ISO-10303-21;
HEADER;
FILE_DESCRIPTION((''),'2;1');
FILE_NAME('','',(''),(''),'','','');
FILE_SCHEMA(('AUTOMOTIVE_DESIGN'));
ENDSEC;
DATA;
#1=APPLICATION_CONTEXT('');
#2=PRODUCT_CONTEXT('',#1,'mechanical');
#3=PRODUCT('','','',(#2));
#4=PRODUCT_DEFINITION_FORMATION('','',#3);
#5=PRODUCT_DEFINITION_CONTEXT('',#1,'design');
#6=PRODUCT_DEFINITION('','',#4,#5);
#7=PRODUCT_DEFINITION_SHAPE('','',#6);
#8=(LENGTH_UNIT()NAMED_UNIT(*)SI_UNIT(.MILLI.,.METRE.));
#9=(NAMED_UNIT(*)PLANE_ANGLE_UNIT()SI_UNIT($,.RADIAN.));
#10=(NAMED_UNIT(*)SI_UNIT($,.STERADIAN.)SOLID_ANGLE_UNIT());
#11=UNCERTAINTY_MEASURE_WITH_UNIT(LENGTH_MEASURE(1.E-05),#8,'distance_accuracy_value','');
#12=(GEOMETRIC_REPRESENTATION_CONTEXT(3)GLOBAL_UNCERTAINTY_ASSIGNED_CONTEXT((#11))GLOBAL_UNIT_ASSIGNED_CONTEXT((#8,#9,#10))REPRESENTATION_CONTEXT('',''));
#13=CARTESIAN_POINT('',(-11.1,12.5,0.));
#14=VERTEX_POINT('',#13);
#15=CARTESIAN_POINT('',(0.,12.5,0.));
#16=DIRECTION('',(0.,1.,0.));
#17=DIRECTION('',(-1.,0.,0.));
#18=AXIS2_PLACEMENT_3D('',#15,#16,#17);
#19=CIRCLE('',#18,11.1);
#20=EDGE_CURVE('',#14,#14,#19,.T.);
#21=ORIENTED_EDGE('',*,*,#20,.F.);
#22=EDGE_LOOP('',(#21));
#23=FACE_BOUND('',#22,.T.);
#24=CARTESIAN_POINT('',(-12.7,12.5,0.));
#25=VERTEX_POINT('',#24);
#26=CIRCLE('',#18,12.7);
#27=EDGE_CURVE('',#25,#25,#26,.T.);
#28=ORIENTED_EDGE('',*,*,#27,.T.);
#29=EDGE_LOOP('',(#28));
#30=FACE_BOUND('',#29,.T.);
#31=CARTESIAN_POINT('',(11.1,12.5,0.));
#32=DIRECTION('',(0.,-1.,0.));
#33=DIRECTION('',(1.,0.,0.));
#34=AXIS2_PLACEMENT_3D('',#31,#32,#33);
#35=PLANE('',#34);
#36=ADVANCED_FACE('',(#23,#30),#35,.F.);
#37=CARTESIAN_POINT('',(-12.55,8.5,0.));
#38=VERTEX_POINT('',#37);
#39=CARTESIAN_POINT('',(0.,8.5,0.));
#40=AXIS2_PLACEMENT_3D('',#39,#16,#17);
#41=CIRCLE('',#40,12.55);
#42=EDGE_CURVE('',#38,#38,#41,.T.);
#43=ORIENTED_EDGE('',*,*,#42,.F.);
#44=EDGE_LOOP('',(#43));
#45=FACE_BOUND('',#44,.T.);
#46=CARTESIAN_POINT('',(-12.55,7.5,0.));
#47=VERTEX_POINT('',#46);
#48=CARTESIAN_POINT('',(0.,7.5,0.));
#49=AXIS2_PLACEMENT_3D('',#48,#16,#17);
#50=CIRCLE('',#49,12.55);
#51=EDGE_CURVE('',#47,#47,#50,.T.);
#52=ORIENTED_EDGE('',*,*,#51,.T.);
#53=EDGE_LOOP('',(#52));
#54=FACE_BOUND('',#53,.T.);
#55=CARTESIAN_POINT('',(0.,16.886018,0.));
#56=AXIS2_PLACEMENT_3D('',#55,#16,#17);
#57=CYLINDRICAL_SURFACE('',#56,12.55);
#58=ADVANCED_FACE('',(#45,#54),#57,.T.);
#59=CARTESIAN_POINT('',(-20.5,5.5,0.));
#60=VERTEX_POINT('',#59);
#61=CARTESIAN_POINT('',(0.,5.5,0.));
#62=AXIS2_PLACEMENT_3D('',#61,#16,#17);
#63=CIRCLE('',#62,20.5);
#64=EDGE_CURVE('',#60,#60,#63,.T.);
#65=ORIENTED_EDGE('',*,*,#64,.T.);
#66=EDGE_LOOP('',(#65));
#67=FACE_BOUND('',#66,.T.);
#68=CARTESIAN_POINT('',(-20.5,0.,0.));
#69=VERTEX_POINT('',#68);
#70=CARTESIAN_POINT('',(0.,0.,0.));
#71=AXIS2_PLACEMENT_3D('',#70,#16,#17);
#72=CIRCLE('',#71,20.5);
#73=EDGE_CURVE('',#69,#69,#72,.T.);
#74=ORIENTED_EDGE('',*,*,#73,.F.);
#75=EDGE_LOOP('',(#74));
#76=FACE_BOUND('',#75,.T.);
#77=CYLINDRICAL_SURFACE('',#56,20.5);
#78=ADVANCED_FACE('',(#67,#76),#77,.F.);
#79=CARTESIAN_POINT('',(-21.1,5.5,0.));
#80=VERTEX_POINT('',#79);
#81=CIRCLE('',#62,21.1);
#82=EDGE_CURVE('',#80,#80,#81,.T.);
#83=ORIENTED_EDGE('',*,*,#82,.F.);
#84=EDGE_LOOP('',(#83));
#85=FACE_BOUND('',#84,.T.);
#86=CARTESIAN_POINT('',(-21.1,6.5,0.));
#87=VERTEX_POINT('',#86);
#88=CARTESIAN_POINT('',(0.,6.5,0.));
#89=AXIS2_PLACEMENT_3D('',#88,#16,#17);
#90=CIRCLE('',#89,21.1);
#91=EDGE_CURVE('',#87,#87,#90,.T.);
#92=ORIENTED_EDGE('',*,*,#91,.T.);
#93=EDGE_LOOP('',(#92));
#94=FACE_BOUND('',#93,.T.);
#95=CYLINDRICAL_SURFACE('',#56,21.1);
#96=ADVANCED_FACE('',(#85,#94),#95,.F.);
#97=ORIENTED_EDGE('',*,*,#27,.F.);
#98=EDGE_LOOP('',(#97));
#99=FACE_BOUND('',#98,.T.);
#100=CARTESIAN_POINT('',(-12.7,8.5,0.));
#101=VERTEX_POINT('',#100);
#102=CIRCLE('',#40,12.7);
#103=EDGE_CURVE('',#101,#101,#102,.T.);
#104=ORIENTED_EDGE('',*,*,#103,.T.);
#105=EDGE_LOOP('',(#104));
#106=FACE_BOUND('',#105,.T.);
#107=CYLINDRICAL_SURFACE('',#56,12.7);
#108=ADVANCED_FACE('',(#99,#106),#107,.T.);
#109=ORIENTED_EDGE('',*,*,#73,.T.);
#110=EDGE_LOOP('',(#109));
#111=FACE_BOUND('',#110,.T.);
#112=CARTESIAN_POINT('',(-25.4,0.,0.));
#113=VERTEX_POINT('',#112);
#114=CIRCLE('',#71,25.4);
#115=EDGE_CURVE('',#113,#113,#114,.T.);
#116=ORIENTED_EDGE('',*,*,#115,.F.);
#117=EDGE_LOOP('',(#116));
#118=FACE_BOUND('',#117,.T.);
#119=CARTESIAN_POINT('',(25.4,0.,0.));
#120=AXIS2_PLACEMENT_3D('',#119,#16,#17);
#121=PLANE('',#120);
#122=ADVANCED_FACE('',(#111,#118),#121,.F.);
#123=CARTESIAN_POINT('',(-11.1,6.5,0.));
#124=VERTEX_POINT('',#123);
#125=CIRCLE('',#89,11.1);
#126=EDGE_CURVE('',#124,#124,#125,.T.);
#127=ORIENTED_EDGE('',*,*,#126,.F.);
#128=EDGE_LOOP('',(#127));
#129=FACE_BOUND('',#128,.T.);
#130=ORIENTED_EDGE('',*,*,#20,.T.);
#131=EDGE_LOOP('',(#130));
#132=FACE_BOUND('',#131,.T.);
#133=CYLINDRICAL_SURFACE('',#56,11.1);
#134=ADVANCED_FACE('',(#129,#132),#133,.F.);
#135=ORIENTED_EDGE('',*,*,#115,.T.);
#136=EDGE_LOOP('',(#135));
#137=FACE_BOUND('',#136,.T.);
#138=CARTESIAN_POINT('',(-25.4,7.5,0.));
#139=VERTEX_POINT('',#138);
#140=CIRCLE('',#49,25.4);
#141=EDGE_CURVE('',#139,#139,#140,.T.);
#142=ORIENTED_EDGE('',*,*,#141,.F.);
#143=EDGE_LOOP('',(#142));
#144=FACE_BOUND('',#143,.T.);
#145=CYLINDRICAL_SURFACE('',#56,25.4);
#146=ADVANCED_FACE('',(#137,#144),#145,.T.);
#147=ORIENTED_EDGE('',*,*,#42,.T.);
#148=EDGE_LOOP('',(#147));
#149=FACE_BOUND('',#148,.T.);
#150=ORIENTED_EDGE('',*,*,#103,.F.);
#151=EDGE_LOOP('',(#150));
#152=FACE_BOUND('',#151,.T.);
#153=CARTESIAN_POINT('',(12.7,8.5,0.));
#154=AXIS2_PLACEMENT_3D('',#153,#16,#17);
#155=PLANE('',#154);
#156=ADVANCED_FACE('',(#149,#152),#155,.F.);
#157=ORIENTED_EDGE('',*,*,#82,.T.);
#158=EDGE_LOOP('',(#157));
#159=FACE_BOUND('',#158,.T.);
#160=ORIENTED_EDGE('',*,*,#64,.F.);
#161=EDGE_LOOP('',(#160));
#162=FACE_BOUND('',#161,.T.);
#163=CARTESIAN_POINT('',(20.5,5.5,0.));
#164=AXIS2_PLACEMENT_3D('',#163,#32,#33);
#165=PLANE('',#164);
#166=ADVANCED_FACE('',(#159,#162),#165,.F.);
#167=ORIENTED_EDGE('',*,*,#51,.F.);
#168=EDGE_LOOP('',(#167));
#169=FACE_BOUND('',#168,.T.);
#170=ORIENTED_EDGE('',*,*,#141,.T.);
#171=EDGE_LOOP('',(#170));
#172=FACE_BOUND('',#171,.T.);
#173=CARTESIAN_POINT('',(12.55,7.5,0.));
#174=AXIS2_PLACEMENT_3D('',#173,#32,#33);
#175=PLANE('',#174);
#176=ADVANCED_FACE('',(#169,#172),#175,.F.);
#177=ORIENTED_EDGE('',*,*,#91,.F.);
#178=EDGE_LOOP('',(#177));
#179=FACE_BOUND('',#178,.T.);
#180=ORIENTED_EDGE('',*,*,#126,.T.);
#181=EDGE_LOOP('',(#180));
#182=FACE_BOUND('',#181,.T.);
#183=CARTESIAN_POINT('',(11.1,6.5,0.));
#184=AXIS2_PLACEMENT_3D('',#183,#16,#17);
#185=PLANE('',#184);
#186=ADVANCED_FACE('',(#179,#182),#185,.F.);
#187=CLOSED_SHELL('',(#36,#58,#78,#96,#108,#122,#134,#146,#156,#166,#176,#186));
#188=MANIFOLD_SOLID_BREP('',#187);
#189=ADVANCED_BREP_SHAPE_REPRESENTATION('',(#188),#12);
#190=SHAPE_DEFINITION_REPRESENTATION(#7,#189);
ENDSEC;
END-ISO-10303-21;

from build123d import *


with BuildPart() as part:
    # 草图1 → 旋转1 (revolve)
    with BuildSketch(Plane.XY, mode=Mode.PRIVATE) as revolve_1_sk:
        Polygon((20.5, 0), (20.5, 5.5), (21.1, 5.5), (21.1, 6.5), (11.1, 6.5), (11.1, 12.5), (12.7, 12.5), (12.7, 8.5), (12.55, 8.5), (12.55, 7.5), (25.4, 7.5), (25.4, 0), align=None)
    revolve(revolve_1_sk.sketch.rotate(Axis((0, 16.886018237, 0), (0, -1, 0)), 180), axis=Axis((0, 16.886018237, 0), (0, -1, 0)))  # turned: the seam where the file's is


solid = part.part
